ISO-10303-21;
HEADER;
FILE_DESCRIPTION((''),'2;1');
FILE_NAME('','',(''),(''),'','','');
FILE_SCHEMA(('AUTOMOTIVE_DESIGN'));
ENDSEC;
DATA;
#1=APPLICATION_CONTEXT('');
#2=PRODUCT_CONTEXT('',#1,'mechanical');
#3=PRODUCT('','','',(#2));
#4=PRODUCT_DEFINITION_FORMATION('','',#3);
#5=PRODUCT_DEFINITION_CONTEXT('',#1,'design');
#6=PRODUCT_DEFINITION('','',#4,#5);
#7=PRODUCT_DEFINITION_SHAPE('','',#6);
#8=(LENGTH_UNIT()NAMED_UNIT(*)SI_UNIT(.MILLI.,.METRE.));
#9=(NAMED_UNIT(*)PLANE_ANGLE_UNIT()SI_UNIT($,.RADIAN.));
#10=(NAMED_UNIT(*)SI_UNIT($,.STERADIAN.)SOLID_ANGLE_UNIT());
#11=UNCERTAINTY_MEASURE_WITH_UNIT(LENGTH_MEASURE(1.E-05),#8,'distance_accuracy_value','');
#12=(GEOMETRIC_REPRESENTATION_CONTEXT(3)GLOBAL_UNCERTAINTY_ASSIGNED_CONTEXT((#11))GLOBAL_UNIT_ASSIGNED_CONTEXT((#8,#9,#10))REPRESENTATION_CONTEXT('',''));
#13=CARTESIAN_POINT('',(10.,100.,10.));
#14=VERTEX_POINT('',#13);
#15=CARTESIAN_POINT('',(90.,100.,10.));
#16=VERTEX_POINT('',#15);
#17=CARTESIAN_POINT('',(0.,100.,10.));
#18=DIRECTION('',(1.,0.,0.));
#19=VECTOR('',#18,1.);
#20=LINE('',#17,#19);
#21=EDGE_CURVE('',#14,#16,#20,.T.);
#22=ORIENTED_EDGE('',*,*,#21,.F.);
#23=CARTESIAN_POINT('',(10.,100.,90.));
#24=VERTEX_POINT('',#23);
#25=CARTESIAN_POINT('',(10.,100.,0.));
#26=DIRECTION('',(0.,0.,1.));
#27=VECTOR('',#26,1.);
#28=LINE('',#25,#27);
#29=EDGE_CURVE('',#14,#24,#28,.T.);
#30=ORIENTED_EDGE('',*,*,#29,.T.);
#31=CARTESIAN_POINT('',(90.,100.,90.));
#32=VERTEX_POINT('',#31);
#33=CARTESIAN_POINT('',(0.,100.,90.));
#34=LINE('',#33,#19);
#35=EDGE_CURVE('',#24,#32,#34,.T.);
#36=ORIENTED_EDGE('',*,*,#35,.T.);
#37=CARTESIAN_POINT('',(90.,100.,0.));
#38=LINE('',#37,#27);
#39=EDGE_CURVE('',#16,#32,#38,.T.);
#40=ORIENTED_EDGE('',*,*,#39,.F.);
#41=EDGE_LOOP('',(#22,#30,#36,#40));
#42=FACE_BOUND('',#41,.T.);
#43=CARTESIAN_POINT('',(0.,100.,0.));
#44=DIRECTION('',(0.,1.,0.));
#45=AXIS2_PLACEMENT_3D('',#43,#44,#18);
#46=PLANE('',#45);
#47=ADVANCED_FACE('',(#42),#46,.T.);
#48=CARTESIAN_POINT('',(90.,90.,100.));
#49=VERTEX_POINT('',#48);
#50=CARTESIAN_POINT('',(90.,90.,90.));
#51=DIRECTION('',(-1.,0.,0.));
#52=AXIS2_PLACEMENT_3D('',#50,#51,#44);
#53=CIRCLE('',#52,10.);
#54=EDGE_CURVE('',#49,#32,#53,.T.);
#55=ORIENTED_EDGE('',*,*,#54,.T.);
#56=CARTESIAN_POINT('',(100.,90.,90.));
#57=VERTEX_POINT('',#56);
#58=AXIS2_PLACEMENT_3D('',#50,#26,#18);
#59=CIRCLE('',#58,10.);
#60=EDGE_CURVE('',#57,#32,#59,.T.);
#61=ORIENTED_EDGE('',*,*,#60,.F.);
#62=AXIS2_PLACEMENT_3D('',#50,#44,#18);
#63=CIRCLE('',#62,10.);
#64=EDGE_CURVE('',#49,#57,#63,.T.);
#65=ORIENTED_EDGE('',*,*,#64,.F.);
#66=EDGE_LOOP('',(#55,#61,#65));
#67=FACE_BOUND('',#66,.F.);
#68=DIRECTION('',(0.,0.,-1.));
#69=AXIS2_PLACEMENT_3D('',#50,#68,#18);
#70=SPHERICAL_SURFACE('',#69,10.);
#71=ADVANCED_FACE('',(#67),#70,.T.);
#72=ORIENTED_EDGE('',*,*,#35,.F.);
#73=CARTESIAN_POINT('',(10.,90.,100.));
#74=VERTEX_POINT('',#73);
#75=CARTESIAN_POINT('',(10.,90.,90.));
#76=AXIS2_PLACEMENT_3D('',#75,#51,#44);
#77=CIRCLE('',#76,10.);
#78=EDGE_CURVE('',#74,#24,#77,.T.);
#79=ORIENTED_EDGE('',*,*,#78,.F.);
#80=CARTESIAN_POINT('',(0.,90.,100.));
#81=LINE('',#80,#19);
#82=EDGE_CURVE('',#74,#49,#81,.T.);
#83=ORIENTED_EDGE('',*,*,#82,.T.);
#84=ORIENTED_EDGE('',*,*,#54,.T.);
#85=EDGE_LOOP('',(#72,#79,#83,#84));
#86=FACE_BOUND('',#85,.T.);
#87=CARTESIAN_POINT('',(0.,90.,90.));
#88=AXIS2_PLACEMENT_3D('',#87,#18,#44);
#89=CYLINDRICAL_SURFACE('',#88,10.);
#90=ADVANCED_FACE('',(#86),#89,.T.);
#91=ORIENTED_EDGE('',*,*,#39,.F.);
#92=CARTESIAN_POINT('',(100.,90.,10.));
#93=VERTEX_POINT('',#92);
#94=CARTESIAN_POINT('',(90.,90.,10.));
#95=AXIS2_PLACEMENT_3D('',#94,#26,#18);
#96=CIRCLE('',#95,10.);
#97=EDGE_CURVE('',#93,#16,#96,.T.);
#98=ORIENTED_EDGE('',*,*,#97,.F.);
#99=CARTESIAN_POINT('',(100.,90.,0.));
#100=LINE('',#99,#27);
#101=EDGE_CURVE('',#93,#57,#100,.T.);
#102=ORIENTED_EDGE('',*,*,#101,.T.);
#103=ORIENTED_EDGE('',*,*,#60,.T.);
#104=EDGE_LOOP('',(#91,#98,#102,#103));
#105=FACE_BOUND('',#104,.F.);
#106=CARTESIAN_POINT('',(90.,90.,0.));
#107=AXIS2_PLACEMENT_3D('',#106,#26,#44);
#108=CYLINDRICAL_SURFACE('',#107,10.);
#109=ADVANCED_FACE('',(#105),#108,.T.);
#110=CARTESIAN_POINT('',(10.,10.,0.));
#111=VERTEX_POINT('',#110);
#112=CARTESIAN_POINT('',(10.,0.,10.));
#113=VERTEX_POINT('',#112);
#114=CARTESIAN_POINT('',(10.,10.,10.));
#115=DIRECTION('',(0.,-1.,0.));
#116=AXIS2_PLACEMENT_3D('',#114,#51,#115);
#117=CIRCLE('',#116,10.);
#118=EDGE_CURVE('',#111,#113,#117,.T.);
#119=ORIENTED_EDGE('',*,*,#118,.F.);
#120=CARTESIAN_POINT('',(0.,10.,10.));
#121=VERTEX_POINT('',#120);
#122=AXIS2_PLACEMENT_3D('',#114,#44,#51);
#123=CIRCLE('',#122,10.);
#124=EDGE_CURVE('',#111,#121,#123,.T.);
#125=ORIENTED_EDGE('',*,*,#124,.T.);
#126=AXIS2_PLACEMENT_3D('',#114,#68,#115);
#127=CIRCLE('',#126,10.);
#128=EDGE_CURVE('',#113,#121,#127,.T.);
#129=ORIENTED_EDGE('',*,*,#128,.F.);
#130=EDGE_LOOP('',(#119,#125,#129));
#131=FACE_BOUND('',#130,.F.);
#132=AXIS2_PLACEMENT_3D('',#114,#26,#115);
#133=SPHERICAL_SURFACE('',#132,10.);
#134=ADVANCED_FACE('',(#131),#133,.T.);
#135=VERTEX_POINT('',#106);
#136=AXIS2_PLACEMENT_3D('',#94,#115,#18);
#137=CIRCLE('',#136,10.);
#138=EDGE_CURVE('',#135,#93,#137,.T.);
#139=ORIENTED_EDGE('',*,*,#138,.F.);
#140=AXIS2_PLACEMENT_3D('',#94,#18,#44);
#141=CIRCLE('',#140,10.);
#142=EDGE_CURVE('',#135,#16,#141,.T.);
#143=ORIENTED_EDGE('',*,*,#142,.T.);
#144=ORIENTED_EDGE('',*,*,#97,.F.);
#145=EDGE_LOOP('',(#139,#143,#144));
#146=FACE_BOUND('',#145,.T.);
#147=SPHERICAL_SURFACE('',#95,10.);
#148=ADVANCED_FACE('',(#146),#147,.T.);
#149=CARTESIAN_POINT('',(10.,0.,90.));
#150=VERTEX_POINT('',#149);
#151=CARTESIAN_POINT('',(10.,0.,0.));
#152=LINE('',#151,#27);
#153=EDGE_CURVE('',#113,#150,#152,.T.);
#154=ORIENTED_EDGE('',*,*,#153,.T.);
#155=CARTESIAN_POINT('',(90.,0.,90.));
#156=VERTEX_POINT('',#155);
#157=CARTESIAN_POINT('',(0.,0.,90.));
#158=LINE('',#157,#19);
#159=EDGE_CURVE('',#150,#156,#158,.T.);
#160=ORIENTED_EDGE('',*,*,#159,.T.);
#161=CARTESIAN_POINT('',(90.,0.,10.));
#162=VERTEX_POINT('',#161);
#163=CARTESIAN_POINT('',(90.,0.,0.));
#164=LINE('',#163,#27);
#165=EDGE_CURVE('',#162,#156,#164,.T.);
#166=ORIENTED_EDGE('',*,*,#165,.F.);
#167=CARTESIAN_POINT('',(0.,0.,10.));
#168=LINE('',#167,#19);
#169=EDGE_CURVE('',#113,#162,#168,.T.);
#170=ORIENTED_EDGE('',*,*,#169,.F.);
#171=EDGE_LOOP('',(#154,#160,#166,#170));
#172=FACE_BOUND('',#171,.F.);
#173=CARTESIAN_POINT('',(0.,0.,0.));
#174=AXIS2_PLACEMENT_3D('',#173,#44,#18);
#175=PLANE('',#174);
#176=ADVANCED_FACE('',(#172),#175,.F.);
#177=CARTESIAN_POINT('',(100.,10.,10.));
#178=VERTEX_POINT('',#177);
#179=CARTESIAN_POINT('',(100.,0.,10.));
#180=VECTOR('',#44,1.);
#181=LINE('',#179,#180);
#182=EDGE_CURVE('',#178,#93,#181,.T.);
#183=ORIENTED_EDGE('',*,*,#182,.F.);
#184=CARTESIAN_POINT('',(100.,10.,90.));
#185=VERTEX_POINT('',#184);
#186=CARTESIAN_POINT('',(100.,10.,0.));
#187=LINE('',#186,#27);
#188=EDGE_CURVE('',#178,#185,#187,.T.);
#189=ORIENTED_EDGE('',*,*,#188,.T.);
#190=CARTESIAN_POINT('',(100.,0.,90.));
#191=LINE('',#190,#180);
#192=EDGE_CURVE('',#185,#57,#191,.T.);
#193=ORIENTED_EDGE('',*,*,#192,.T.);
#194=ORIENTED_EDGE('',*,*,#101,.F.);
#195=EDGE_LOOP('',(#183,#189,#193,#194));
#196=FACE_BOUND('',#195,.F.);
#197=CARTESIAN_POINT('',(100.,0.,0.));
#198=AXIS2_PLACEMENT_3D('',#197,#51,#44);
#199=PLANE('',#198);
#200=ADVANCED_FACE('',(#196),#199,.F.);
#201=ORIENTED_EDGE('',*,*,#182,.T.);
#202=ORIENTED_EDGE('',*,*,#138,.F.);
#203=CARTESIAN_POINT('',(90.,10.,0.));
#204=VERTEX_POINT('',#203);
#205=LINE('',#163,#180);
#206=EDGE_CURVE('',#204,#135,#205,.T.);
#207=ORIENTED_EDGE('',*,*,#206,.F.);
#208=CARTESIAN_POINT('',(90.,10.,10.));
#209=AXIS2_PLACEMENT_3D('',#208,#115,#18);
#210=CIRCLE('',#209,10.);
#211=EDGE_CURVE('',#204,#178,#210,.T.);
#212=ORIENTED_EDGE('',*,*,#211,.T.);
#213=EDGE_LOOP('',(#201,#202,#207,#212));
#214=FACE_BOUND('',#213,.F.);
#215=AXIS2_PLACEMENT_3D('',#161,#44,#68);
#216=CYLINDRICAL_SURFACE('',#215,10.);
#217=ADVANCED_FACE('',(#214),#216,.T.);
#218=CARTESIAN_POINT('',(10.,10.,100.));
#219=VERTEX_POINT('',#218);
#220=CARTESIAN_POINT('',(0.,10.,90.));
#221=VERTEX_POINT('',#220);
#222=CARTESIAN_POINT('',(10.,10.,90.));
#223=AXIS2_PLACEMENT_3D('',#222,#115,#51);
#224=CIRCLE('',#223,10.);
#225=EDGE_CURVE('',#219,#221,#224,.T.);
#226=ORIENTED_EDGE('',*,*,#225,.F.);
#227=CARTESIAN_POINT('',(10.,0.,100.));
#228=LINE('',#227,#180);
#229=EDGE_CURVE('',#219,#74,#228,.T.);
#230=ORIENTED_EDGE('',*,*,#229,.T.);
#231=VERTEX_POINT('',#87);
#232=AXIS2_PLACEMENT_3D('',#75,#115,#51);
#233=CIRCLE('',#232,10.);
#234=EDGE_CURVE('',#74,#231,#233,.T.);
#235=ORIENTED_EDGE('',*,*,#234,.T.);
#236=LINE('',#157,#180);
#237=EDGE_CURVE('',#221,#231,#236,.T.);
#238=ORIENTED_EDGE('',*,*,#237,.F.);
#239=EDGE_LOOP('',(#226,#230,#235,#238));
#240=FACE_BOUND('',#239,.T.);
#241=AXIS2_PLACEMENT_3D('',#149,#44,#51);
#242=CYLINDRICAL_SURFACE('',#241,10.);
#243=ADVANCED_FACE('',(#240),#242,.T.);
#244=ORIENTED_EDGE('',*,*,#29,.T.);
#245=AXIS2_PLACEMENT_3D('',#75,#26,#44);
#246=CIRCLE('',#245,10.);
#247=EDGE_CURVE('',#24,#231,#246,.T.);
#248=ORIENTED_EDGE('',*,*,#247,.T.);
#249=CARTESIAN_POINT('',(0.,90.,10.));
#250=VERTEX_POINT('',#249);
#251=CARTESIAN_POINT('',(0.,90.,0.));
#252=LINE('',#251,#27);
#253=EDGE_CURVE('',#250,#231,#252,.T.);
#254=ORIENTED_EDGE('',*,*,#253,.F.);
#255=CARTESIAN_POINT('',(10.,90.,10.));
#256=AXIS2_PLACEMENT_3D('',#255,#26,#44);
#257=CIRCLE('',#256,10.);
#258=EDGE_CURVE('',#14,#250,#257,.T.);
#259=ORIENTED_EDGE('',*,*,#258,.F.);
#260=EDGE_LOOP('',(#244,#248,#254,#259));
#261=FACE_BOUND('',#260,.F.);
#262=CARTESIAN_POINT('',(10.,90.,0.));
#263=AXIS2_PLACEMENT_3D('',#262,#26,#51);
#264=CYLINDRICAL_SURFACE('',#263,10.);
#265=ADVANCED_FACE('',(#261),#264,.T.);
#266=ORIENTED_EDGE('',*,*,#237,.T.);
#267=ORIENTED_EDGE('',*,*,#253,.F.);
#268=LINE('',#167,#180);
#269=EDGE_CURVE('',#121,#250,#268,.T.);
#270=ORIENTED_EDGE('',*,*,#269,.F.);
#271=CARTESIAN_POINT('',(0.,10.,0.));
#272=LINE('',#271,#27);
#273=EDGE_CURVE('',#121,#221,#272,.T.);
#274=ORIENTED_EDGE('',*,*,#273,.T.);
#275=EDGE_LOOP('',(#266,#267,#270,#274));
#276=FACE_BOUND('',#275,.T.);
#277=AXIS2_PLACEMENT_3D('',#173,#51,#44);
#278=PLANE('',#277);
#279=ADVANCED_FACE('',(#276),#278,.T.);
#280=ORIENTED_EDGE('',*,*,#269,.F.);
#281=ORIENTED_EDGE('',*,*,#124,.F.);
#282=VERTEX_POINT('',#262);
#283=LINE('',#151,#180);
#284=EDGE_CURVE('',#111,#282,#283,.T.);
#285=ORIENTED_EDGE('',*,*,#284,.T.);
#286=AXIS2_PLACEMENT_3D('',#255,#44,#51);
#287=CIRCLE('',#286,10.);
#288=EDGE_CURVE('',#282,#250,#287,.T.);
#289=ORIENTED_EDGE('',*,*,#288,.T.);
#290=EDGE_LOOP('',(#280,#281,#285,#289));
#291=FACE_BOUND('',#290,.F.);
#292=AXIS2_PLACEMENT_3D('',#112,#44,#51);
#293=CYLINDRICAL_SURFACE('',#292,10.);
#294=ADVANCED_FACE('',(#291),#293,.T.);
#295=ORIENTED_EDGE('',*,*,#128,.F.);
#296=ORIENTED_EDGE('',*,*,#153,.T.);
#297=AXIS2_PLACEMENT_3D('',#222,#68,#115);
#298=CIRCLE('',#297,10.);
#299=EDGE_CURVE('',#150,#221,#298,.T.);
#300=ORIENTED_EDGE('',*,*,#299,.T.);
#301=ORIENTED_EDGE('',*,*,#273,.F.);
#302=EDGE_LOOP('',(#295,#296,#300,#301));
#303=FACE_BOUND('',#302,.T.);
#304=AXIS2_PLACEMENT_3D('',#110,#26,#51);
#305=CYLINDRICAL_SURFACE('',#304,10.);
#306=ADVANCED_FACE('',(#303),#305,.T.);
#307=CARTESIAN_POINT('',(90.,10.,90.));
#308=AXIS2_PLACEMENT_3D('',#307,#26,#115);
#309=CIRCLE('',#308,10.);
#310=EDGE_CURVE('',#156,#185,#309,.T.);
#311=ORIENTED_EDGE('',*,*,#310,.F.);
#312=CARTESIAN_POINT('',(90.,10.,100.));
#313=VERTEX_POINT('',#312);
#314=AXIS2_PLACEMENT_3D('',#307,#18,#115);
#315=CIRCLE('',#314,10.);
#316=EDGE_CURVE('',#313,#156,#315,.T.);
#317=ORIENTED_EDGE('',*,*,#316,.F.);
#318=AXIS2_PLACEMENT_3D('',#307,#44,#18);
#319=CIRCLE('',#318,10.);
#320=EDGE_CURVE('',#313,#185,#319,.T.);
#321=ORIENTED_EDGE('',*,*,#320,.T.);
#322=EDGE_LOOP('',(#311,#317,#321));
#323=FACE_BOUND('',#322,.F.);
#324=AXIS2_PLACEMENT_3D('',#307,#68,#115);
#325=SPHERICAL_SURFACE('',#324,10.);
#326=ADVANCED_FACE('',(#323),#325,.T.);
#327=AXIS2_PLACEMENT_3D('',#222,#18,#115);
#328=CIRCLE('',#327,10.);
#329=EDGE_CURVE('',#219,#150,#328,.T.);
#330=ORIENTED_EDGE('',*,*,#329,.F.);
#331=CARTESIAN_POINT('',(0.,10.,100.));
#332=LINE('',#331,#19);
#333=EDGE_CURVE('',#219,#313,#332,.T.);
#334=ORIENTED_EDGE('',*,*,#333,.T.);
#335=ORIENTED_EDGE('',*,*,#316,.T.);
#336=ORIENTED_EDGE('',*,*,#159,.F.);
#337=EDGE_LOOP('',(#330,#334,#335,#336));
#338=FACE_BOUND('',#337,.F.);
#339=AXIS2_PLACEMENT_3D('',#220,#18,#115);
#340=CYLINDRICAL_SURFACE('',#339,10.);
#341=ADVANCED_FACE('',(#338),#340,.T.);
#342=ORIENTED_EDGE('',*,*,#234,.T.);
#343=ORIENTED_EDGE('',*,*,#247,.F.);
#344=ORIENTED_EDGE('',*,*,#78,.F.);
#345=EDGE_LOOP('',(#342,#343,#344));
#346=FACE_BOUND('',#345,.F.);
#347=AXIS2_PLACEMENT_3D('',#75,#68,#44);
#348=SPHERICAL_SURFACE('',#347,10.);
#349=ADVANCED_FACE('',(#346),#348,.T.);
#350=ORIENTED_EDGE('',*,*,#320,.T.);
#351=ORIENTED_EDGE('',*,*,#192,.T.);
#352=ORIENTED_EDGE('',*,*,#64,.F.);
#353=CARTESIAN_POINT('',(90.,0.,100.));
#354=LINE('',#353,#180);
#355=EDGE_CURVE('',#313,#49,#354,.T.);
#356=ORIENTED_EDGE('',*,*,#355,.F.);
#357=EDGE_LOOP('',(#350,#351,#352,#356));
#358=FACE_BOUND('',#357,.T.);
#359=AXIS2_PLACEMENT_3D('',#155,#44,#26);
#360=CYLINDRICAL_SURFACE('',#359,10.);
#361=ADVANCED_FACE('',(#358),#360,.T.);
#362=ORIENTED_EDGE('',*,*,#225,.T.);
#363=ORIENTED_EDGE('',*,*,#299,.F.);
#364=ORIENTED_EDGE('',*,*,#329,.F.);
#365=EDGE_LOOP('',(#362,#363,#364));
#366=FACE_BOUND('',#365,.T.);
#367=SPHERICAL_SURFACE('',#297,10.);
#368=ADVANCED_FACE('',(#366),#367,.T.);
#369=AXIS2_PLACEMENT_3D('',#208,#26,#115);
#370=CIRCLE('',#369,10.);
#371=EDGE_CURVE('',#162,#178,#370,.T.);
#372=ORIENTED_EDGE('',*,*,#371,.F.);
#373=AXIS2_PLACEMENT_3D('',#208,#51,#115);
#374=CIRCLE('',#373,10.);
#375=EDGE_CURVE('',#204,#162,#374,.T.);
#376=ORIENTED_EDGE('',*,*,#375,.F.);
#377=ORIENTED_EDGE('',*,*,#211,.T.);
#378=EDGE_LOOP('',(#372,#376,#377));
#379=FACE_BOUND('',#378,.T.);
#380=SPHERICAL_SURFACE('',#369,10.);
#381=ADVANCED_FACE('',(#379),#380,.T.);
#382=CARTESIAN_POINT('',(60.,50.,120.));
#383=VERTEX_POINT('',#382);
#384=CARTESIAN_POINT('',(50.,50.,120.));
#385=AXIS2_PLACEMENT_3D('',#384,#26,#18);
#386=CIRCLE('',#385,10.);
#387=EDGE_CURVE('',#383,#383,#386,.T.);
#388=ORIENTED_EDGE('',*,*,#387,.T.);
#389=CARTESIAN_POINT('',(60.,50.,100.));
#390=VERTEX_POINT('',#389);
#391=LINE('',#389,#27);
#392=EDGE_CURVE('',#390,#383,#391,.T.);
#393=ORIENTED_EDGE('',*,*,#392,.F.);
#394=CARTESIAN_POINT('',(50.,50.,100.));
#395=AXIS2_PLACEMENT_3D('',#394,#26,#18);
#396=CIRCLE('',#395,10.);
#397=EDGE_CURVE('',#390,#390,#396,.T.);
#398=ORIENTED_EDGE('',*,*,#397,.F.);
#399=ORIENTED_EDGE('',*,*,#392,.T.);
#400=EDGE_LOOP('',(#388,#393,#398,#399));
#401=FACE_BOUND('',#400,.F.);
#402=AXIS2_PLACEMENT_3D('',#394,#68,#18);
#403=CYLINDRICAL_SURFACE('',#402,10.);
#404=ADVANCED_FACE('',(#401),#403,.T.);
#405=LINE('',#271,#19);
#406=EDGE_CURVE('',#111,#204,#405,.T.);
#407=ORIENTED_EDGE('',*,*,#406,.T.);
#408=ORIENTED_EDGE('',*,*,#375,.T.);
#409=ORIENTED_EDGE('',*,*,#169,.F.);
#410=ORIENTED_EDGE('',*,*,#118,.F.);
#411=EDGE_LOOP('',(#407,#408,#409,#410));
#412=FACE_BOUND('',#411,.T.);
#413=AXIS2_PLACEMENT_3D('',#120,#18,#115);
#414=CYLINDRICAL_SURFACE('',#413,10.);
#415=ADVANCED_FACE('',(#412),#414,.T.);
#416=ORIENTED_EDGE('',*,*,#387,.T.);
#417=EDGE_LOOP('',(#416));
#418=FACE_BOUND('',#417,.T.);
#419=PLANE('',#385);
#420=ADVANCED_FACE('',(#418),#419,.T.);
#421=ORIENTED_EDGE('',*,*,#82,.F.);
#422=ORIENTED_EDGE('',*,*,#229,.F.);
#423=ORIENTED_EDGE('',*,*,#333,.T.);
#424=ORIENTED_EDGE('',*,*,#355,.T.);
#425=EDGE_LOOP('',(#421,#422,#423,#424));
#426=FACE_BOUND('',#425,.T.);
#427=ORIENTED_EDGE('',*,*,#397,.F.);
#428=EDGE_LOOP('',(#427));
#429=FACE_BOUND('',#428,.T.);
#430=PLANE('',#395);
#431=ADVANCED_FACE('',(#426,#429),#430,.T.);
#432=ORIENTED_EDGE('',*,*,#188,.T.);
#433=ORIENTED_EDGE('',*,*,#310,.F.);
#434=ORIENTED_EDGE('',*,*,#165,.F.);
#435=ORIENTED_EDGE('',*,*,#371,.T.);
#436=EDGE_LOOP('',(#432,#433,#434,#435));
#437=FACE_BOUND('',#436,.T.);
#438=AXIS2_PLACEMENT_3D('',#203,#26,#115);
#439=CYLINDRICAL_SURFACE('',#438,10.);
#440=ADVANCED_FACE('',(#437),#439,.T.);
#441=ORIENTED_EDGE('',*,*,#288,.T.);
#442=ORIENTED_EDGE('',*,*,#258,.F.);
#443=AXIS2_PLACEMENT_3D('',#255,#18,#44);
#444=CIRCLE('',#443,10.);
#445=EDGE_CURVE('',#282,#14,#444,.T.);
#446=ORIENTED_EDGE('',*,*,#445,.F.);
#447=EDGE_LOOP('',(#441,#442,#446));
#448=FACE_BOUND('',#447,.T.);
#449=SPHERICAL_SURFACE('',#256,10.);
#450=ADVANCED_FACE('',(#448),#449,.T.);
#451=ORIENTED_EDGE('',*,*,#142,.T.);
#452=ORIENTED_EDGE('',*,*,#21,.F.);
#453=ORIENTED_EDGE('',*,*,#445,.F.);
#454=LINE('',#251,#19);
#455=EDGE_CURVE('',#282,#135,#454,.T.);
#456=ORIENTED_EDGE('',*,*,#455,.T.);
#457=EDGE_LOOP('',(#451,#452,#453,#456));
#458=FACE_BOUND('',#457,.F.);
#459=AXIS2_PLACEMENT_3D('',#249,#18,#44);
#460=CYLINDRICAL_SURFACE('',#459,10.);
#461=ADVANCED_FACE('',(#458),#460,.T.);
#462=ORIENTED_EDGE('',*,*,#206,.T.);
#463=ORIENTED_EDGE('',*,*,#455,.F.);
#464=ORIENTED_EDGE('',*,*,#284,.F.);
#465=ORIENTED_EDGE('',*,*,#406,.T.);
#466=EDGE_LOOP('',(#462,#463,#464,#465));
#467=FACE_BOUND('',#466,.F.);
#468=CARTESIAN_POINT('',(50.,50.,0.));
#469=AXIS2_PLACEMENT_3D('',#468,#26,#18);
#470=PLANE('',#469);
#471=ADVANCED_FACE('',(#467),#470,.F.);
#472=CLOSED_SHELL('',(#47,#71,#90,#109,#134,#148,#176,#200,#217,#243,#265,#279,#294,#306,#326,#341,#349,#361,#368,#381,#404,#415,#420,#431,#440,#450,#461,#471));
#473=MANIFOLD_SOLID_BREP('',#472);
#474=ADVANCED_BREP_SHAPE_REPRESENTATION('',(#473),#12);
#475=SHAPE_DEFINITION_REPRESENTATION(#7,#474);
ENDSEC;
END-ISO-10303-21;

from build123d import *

# Parameters (mm, degrees)
F0_W     = 100
F0_H     = 100
F1_DEPTH = 100
F2_R     = 10
F3_DEPTH = 20
F4_R     = 10


with BuildPart() as f1:
    # F0 (on Top) → F1 (new body)
    with BuildSketch(Plane.XY):
        with Locations((50, 50)):
            Rectangle(F0_W, F0_H)
    extrude(amount=F1_DEPTH)

    # F2 (on face) → F3 (join)
    with BuildSketch(Plane.XY.offset(100)):
        with Locations((50, 50)):
            Circle(F2_R)
    extrude(amount=F3_DEPTH)

    # F4
    f4_edges = [f1.edges().sort_by_distance(p)[0] for p in [
        (0, 0, 50),
        (100, 0, 50),
        (50, 0, 0),
        (50, 0, 100),
        (100, 100, 50),
        (100, 50, 0),
        (100, 50, 100),
        (0, 100, 50),
        (50, 100, 0),
        (50, 100, 100),
        (0, 50, 0),
        (0, 50, 100),
    ]]
    fillet(f4_edges, radius=F4_R)


solid = f1.part
